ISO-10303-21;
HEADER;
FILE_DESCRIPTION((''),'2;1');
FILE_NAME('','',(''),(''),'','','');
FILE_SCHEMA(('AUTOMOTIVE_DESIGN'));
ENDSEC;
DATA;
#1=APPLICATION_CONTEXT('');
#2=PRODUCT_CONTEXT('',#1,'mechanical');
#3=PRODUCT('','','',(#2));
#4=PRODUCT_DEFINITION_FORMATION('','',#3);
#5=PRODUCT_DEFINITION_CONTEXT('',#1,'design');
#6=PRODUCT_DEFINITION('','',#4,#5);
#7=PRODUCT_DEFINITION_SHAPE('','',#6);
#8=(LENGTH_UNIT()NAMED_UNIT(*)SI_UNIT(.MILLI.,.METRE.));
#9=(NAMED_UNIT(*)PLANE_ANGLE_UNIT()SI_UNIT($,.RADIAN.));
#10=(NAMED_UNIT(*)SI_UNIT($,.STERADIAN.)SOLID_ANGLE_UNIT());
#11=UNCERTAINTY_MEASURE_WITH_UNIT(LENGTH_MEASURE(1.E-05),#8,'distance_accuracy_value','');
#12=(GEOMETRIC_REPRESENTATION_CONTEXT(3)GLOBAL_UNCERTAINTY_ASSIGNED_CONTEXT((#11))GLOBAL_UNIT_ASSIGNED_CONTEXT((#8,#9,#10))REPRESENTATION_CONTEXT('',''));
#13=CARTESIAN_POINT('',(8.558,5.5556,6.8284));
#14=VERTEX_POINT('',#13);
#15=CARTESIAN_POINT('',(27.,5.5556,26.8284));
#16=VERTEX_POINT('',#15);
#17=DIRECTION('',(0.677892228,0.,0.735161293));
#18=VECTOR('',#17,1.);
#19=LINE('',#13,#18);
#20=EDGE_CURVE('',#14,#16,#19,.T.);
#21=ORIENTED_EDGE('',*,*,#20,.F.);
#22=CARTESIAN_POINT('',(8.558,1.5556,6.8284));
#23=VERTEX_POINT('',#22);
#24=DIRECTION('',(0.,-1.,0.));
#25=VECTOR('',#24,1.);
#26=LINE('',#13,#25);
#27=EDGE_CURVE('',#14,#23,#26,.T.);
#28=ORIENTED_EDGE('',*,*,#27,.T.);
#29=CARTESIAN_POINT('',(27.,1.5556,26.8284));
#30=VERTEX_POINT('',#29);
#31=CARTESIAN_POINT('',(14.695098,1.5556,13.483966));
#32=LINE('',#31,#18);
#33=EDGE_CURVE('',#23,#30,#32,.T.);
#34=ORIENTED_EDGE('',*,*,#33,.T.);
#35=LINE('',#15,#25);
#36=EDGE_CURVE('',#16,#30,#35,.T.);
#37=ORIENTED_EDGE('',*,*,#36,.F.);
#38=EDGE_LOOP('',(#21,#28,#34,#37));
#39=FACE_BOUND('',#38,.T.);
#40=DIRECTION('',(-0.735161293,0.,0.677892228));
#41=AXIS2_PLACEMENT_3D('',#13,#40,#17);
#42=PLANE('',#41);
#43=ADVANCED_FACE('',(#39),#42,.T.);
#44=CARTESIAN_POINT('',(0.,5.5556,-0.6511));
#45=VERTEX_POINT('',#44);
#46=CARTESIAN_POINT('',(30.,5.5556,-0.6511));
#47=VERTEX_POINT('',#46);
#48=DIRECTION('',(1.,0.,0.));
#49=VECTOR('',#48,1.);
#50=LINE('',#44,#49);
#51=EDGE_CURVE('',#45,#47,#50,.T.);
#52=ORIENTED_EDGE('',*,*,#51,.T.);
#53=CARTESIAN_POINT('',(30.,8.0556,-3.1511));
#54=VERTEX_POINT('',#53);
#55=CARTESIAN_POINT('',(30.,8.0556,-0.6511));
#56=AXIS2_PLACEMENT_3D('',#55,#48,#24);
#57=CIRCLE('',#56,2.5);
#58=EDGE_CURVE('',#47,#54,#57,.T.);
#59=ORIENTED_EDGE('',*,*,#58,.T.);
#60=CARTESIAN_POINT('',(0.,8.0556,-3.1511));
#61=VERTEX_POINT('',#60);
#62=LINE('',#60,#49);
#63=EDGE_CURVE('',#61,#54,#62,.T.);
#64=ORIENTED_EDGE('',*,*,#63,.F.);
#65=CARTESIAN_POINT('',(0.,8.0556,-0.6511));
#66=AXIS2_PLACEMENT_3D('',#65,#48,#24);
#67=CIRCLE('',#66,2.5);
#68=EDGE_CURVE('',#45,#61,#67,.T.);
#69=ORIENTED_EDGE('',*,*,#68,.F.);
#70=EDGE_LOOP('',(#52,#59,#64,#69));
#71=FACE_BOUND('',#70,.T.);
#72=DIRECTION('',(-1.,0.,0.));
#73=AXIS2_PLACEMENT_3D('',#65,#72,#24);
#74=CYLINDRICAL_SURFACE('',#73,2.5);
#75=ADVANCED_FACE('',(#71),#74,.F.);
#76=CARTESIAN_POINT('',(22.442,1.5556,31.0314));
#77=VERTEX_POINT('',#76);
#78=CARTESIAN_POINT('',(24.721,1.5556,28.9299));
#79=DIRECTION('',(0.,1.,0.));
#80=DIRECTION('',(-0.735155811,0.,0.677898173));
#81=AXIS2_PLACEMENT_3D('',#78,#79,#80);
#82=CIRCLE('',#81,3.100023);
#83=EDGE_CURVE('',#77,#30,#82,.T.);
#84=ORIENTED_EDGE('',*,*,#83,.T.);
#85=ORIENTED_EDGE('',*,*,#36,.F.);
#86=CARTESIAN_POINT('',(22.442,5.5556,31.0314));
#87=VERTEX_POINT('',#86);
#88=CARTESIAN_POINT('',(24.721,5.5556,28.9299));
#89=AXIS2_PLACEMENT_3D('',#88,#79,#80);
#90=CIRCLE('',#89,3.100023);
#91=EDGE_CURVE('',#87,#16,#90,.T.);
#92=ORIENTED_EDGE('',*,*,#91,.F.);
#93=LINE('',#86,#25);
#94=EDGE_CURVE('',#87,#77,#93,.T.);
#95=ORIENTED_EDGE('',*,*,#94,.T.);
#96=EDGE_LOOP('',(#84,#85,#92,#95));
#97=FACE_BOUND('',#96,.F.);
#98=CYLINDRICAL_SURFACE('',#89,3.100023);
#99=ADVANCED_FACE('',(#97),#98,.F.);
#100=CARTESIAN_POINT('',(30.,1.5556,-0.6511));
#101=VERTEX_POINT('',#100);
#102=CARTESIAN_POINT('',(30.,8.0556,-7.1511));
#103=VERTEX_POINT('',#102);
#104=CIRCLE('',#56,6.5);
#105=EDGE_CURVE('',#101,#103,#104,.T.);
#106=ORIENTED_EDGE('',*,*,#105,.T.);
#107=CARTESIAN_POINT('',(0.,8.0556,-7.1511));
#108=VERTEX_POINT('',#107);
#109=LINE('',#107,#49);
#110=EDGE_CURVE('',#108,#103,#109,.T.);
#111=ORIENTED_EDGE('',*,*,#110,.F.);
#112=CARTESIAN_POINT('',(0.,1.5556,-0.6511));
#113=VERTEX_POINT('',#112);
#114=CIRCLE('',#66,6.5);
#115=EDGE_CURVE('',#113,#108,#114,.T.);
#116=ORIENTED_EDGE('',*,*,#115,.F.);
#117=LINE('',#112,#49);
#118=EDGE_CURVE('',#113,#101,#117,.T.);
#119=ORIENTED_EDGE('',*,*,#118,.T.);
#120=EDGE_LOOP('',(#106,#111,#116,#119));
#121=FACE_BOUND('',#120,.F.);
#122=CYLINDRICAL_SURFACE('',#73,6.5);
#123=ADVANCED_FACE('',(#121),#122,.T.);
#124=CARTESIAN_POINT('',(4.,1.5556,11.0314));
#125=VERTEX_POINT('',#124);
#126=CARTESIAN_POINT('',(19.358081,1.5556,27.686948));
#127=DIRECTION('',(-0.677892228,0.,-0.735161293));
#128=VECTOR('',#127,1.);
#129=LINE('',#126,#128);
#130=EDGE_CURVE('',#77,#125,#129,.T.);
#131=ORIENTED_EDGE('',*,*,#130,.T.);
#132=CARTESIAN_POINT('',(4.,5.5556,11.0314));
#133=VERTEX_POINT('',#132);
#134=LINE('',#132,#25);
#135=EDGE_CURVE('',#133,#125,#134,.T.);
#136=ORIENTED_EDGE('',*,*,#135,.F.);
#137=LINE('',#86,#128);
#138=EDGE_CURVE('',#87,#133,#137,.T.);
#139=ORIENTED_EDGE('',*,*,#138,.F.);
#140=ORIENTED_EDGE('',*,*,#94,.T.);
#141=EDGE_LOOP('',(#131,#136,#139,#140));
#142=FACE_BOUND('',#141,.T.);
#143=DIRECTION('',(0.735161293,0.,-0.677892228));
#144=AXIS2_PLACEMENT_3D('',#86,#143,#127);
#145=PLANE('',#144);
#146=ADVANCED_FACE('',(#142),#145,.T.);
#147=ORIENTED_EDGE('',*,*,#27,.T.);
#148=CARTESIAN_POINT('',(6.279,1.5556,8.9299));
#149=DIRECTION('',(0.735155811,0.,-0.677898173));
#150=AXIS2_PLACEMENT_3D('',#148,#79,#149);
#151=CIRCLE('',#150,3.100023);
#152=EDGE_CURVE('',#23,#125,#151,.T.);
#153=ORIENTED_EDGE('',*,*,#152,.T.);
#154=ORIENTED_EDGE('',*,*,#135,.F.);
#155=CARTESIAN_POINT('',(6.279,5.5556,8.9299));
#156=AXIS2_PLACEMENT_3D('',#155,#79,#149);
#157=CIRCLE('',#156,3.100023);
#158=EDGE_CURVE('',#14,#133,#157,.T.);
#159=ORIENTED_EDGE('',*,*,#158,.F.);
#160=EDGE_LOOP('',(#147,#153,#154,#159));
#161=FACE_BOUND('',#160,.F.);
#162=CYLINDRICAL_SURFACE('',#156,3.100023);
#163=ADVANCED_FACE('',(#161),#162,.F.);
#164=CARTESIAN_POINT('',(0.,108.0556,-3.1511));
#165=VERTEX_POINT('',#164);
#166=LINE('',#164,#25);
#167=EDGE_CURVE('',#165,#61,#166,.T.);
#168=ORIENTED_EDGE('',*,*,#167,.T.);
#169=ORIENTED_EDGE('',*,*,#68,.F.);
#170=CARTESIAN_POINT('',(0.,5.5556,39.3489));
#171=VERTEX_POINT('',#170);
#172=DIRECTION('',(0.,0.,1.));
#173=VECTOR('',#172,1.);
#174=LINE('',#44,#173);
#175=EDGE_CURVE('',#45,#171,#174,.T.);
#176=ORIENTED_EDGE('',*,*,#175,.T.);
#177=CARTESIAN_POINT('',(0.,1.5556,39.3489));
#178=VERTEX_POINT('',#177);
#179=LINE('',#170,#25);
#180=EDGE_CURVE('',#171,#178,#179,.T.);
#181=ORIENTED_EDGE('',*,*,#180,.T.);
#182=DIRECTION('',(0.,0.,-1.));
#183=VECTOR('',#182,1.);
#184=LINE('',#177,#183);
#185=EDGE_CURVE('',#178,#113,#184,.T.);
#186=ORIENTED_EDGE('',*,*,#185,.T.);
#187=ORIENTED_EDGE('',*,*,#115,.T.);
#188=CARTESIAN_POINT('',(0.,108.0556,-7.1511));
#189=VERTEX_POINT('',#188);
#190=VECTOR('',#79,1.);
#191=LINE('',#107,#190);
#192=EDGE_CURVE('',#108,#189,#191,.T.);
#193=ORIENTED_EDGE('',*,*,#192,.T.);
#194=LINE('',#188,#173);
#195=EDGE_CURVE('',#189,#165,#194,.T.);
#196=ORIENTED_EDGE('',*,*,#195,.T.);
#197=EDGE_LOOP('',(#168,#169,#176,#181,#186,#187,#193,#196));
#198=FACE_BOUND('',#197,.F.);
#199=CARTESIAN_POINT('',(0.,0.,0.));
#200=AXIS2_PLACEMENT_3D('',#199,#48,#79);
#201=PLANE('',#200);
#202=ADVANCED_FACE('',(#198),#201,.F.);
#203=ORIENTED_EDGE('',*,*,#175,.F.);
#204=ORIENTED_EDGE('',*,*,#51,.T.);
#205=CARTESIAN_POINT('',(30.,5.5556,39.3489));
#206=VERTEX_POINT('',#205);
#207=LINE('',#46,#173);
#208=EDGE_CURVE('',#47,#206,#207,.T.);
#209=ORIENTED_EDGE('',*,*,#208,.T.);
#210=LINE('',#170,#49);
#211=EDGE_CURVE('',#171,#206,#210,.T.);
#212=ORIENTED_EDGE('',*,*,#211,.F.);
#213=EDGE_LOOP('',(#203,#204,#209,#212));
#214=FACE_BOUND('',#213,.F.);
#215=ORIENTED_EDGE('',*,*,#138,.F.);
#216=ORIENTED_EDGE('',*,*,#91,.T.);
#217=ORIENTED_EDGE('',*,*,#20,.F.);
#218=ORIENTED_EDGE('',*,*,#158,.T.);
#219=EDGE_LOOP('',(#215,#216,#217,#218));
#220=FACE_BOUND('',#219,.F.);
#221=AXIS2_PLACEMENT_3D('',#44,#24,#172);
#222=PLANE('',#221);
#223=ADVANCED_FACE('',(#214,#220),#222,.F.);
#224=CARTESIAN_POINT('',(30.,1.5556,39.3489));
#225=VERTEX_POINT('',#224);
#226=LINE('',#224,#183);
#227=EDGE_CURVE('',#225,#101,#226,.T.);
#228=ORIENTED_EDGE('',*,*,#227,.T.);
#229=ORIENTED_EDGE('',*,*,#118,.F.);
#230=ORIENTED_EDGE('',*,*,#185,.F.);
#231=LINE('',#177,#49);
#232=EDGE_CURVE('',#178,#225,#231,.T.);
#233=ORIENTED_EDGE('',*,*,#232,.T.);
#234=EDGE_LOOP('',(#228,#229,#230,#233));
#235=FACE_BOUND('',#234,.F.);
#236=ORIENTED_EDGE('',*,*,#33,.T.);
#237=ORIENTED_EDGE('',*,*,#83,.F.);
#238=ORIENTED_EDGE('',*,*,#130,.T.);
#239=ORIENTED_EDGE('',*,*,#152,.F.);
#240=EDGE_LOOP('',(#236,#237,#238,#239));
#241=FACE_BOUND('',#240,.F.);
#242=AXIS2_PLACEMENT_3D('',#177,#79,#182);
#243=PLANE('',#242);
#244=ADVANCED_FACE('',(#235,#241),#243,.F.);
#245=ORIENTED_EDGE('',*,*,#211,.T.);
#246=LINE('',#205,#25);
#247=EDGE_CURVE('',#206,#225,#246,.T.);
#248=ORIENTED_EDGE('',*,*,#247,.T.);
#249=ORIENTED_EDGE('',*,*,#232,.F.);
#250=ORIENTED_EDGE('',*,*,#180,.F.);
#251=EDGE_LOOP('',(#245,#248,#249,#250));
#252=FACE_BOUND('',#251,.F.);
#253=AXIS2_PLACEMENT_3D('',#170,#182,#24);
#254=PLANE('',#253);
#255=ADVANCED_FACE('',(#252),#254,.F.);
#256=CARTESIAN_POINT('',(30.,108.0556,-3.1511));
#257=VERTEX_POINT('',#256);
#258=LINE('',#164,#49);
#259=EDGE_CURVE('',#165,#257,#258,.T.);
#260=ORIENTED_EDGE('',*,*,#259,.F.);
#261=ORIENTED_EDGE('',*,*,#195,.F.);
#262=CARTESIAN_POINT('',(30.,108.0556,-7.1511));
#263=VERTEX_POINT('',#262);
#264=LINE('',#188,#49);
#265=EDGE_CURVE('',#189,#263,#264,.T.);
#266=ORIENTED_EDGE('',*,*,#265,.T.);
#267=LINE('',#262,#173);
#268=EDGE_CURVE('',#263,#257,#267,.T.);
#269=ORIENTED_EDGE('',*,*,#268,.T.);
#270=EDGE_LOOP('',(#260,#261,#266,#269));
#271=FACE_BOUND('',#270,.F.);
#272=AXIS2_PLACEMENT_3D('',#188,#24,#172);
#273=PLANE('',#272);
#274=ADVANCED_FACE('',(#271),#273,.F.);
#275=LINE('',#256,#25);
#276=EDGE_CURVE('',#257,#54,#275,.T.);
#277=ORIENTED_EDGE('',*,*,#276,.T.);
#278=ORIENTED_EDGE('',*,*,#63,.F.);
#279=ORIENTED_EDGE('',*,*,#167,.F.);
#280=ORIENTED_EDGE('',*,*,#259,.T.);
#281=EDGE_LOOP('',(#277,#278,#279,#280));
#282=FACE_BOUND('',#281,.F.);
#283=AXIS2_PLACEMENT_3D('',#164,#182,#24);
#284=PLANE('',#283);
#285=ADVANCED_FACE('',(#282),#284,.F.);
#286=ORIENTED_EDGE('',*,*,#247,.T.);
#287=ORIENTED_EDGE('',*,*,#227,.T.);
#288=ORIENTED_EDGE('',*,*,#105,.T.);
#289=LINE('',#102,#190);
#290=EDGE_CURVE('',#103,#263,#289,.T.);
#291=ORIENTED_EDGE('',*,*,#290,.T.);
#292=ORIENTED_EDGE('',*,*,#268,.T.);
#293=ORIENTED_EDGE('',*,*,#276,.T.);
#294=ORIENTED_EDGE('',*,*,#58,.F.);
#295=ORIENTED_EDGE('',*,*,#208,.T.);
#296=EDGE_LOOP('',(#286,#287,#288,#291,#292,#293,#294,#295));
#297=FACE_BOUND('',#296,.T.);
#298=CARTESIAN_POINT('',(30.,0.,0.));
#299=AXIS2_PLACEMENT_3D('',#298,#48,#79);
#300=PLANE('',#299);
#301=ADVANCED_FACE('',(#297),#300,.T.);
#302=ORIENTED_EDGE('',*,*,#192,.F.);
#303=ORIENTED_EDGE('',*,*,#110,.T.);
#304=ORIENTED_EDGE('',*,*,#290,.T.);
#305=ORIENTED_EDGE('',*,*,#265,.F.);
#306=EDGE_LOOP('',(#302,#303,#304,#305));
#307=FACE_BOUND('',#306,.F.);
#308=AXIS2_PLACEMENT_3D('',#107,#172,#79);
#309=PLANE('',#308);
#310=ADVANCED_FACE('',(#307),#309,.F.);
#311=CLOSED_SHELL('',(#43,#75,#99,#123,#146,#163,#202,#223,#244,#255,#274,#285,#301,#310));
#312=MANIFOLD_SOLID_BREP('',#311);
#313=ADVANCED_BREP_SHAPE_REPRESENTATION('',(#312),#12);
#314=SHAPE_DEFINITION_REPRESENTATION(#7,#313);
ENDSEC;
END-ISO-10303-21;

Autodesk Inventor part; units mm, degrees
ref_plane "YZ Plane" through (0, 0, 0) normal (1, 0, 0) x (0, 1, 0)
ref_plane "XZ Plane" through (0, 0, 0) normal (0, 1, 0) x (-1, 0, 0)
ref_plane "XY Plane" through (0, 0, 0) normal (0, 0, 1) x (1, 0, 0)
sketch "Sketch1" plane through (0, 0, 0) normal (1, 0, 0) x (0, 1, 0)
  line L0 (108.0556, -3.1511) -> (8.0556, -3.1511)
  line L1 (8.0556, -7.1511) -> (108.0556, -7.1511)
  line L2 (108.0556, -7.1511) -> (108.0556, -3.1511)
  line L3 (5.5556, 39.3489) -> (1.5556, 39.3489)
  line L4 (1.5556, 39.3489) -> (1.5556, -0.6511)
  line L5 (5.5556, -0.6511) -> (5.5556, 39.3489)
  arc A0 (5.5556, -0.6511) -> (8.0556, -3.1511) centre (8.0556, -0.6511) ccw
  arc A1 (1.5556, -0.6511) -> (8.0556, -7.1511) centre (8.0556, -0.6511) ccw
  point P0 (0, 0)
  dimension "d0" = 4
  dimension "d1" = 100
  dimension "d4" = 40
  dimension "d5" = 4
  dimension "d6" = 2.5
  dimension "d10" = 6.5
extrude "Extrusion1" add sketch "Sketch1" along normal blind 30
sketch "Sketch2" plane through (0, 5.5556, 39.3489) normal (0, 1, 0) x (1, 0, 0)
  line L0 (8.558, 32.5205) -> (27, 12.5205)
  line L1 (22.442, 8.3175) -> (4, 28.3175)
  line L2 (0, 40) -> (0, 0) projected
  line L3 (30, 40) -> (30, 0) projected
  arc A0 (22.442, 8.3175) -> (27, 12.5205) centre (24.721, 10.419) ccw
  arc A1 (8.558, 32.5205) -> (4, 28.3175) centre (6.279, 30.419) ccw
  point P0 (0, 39.3489)
  dimension "d13" = 20
  dimension "d14" = 4
  dimension "d15" = 3
  dimension "d16" = 6.2
  dimension "d17" = 6.2
  dimension "d18" = 6.2
extrude "Extrusion2" cut sketch "Sketch2" against normal blind 30
properties part number "Conveyor mounting bracket"
